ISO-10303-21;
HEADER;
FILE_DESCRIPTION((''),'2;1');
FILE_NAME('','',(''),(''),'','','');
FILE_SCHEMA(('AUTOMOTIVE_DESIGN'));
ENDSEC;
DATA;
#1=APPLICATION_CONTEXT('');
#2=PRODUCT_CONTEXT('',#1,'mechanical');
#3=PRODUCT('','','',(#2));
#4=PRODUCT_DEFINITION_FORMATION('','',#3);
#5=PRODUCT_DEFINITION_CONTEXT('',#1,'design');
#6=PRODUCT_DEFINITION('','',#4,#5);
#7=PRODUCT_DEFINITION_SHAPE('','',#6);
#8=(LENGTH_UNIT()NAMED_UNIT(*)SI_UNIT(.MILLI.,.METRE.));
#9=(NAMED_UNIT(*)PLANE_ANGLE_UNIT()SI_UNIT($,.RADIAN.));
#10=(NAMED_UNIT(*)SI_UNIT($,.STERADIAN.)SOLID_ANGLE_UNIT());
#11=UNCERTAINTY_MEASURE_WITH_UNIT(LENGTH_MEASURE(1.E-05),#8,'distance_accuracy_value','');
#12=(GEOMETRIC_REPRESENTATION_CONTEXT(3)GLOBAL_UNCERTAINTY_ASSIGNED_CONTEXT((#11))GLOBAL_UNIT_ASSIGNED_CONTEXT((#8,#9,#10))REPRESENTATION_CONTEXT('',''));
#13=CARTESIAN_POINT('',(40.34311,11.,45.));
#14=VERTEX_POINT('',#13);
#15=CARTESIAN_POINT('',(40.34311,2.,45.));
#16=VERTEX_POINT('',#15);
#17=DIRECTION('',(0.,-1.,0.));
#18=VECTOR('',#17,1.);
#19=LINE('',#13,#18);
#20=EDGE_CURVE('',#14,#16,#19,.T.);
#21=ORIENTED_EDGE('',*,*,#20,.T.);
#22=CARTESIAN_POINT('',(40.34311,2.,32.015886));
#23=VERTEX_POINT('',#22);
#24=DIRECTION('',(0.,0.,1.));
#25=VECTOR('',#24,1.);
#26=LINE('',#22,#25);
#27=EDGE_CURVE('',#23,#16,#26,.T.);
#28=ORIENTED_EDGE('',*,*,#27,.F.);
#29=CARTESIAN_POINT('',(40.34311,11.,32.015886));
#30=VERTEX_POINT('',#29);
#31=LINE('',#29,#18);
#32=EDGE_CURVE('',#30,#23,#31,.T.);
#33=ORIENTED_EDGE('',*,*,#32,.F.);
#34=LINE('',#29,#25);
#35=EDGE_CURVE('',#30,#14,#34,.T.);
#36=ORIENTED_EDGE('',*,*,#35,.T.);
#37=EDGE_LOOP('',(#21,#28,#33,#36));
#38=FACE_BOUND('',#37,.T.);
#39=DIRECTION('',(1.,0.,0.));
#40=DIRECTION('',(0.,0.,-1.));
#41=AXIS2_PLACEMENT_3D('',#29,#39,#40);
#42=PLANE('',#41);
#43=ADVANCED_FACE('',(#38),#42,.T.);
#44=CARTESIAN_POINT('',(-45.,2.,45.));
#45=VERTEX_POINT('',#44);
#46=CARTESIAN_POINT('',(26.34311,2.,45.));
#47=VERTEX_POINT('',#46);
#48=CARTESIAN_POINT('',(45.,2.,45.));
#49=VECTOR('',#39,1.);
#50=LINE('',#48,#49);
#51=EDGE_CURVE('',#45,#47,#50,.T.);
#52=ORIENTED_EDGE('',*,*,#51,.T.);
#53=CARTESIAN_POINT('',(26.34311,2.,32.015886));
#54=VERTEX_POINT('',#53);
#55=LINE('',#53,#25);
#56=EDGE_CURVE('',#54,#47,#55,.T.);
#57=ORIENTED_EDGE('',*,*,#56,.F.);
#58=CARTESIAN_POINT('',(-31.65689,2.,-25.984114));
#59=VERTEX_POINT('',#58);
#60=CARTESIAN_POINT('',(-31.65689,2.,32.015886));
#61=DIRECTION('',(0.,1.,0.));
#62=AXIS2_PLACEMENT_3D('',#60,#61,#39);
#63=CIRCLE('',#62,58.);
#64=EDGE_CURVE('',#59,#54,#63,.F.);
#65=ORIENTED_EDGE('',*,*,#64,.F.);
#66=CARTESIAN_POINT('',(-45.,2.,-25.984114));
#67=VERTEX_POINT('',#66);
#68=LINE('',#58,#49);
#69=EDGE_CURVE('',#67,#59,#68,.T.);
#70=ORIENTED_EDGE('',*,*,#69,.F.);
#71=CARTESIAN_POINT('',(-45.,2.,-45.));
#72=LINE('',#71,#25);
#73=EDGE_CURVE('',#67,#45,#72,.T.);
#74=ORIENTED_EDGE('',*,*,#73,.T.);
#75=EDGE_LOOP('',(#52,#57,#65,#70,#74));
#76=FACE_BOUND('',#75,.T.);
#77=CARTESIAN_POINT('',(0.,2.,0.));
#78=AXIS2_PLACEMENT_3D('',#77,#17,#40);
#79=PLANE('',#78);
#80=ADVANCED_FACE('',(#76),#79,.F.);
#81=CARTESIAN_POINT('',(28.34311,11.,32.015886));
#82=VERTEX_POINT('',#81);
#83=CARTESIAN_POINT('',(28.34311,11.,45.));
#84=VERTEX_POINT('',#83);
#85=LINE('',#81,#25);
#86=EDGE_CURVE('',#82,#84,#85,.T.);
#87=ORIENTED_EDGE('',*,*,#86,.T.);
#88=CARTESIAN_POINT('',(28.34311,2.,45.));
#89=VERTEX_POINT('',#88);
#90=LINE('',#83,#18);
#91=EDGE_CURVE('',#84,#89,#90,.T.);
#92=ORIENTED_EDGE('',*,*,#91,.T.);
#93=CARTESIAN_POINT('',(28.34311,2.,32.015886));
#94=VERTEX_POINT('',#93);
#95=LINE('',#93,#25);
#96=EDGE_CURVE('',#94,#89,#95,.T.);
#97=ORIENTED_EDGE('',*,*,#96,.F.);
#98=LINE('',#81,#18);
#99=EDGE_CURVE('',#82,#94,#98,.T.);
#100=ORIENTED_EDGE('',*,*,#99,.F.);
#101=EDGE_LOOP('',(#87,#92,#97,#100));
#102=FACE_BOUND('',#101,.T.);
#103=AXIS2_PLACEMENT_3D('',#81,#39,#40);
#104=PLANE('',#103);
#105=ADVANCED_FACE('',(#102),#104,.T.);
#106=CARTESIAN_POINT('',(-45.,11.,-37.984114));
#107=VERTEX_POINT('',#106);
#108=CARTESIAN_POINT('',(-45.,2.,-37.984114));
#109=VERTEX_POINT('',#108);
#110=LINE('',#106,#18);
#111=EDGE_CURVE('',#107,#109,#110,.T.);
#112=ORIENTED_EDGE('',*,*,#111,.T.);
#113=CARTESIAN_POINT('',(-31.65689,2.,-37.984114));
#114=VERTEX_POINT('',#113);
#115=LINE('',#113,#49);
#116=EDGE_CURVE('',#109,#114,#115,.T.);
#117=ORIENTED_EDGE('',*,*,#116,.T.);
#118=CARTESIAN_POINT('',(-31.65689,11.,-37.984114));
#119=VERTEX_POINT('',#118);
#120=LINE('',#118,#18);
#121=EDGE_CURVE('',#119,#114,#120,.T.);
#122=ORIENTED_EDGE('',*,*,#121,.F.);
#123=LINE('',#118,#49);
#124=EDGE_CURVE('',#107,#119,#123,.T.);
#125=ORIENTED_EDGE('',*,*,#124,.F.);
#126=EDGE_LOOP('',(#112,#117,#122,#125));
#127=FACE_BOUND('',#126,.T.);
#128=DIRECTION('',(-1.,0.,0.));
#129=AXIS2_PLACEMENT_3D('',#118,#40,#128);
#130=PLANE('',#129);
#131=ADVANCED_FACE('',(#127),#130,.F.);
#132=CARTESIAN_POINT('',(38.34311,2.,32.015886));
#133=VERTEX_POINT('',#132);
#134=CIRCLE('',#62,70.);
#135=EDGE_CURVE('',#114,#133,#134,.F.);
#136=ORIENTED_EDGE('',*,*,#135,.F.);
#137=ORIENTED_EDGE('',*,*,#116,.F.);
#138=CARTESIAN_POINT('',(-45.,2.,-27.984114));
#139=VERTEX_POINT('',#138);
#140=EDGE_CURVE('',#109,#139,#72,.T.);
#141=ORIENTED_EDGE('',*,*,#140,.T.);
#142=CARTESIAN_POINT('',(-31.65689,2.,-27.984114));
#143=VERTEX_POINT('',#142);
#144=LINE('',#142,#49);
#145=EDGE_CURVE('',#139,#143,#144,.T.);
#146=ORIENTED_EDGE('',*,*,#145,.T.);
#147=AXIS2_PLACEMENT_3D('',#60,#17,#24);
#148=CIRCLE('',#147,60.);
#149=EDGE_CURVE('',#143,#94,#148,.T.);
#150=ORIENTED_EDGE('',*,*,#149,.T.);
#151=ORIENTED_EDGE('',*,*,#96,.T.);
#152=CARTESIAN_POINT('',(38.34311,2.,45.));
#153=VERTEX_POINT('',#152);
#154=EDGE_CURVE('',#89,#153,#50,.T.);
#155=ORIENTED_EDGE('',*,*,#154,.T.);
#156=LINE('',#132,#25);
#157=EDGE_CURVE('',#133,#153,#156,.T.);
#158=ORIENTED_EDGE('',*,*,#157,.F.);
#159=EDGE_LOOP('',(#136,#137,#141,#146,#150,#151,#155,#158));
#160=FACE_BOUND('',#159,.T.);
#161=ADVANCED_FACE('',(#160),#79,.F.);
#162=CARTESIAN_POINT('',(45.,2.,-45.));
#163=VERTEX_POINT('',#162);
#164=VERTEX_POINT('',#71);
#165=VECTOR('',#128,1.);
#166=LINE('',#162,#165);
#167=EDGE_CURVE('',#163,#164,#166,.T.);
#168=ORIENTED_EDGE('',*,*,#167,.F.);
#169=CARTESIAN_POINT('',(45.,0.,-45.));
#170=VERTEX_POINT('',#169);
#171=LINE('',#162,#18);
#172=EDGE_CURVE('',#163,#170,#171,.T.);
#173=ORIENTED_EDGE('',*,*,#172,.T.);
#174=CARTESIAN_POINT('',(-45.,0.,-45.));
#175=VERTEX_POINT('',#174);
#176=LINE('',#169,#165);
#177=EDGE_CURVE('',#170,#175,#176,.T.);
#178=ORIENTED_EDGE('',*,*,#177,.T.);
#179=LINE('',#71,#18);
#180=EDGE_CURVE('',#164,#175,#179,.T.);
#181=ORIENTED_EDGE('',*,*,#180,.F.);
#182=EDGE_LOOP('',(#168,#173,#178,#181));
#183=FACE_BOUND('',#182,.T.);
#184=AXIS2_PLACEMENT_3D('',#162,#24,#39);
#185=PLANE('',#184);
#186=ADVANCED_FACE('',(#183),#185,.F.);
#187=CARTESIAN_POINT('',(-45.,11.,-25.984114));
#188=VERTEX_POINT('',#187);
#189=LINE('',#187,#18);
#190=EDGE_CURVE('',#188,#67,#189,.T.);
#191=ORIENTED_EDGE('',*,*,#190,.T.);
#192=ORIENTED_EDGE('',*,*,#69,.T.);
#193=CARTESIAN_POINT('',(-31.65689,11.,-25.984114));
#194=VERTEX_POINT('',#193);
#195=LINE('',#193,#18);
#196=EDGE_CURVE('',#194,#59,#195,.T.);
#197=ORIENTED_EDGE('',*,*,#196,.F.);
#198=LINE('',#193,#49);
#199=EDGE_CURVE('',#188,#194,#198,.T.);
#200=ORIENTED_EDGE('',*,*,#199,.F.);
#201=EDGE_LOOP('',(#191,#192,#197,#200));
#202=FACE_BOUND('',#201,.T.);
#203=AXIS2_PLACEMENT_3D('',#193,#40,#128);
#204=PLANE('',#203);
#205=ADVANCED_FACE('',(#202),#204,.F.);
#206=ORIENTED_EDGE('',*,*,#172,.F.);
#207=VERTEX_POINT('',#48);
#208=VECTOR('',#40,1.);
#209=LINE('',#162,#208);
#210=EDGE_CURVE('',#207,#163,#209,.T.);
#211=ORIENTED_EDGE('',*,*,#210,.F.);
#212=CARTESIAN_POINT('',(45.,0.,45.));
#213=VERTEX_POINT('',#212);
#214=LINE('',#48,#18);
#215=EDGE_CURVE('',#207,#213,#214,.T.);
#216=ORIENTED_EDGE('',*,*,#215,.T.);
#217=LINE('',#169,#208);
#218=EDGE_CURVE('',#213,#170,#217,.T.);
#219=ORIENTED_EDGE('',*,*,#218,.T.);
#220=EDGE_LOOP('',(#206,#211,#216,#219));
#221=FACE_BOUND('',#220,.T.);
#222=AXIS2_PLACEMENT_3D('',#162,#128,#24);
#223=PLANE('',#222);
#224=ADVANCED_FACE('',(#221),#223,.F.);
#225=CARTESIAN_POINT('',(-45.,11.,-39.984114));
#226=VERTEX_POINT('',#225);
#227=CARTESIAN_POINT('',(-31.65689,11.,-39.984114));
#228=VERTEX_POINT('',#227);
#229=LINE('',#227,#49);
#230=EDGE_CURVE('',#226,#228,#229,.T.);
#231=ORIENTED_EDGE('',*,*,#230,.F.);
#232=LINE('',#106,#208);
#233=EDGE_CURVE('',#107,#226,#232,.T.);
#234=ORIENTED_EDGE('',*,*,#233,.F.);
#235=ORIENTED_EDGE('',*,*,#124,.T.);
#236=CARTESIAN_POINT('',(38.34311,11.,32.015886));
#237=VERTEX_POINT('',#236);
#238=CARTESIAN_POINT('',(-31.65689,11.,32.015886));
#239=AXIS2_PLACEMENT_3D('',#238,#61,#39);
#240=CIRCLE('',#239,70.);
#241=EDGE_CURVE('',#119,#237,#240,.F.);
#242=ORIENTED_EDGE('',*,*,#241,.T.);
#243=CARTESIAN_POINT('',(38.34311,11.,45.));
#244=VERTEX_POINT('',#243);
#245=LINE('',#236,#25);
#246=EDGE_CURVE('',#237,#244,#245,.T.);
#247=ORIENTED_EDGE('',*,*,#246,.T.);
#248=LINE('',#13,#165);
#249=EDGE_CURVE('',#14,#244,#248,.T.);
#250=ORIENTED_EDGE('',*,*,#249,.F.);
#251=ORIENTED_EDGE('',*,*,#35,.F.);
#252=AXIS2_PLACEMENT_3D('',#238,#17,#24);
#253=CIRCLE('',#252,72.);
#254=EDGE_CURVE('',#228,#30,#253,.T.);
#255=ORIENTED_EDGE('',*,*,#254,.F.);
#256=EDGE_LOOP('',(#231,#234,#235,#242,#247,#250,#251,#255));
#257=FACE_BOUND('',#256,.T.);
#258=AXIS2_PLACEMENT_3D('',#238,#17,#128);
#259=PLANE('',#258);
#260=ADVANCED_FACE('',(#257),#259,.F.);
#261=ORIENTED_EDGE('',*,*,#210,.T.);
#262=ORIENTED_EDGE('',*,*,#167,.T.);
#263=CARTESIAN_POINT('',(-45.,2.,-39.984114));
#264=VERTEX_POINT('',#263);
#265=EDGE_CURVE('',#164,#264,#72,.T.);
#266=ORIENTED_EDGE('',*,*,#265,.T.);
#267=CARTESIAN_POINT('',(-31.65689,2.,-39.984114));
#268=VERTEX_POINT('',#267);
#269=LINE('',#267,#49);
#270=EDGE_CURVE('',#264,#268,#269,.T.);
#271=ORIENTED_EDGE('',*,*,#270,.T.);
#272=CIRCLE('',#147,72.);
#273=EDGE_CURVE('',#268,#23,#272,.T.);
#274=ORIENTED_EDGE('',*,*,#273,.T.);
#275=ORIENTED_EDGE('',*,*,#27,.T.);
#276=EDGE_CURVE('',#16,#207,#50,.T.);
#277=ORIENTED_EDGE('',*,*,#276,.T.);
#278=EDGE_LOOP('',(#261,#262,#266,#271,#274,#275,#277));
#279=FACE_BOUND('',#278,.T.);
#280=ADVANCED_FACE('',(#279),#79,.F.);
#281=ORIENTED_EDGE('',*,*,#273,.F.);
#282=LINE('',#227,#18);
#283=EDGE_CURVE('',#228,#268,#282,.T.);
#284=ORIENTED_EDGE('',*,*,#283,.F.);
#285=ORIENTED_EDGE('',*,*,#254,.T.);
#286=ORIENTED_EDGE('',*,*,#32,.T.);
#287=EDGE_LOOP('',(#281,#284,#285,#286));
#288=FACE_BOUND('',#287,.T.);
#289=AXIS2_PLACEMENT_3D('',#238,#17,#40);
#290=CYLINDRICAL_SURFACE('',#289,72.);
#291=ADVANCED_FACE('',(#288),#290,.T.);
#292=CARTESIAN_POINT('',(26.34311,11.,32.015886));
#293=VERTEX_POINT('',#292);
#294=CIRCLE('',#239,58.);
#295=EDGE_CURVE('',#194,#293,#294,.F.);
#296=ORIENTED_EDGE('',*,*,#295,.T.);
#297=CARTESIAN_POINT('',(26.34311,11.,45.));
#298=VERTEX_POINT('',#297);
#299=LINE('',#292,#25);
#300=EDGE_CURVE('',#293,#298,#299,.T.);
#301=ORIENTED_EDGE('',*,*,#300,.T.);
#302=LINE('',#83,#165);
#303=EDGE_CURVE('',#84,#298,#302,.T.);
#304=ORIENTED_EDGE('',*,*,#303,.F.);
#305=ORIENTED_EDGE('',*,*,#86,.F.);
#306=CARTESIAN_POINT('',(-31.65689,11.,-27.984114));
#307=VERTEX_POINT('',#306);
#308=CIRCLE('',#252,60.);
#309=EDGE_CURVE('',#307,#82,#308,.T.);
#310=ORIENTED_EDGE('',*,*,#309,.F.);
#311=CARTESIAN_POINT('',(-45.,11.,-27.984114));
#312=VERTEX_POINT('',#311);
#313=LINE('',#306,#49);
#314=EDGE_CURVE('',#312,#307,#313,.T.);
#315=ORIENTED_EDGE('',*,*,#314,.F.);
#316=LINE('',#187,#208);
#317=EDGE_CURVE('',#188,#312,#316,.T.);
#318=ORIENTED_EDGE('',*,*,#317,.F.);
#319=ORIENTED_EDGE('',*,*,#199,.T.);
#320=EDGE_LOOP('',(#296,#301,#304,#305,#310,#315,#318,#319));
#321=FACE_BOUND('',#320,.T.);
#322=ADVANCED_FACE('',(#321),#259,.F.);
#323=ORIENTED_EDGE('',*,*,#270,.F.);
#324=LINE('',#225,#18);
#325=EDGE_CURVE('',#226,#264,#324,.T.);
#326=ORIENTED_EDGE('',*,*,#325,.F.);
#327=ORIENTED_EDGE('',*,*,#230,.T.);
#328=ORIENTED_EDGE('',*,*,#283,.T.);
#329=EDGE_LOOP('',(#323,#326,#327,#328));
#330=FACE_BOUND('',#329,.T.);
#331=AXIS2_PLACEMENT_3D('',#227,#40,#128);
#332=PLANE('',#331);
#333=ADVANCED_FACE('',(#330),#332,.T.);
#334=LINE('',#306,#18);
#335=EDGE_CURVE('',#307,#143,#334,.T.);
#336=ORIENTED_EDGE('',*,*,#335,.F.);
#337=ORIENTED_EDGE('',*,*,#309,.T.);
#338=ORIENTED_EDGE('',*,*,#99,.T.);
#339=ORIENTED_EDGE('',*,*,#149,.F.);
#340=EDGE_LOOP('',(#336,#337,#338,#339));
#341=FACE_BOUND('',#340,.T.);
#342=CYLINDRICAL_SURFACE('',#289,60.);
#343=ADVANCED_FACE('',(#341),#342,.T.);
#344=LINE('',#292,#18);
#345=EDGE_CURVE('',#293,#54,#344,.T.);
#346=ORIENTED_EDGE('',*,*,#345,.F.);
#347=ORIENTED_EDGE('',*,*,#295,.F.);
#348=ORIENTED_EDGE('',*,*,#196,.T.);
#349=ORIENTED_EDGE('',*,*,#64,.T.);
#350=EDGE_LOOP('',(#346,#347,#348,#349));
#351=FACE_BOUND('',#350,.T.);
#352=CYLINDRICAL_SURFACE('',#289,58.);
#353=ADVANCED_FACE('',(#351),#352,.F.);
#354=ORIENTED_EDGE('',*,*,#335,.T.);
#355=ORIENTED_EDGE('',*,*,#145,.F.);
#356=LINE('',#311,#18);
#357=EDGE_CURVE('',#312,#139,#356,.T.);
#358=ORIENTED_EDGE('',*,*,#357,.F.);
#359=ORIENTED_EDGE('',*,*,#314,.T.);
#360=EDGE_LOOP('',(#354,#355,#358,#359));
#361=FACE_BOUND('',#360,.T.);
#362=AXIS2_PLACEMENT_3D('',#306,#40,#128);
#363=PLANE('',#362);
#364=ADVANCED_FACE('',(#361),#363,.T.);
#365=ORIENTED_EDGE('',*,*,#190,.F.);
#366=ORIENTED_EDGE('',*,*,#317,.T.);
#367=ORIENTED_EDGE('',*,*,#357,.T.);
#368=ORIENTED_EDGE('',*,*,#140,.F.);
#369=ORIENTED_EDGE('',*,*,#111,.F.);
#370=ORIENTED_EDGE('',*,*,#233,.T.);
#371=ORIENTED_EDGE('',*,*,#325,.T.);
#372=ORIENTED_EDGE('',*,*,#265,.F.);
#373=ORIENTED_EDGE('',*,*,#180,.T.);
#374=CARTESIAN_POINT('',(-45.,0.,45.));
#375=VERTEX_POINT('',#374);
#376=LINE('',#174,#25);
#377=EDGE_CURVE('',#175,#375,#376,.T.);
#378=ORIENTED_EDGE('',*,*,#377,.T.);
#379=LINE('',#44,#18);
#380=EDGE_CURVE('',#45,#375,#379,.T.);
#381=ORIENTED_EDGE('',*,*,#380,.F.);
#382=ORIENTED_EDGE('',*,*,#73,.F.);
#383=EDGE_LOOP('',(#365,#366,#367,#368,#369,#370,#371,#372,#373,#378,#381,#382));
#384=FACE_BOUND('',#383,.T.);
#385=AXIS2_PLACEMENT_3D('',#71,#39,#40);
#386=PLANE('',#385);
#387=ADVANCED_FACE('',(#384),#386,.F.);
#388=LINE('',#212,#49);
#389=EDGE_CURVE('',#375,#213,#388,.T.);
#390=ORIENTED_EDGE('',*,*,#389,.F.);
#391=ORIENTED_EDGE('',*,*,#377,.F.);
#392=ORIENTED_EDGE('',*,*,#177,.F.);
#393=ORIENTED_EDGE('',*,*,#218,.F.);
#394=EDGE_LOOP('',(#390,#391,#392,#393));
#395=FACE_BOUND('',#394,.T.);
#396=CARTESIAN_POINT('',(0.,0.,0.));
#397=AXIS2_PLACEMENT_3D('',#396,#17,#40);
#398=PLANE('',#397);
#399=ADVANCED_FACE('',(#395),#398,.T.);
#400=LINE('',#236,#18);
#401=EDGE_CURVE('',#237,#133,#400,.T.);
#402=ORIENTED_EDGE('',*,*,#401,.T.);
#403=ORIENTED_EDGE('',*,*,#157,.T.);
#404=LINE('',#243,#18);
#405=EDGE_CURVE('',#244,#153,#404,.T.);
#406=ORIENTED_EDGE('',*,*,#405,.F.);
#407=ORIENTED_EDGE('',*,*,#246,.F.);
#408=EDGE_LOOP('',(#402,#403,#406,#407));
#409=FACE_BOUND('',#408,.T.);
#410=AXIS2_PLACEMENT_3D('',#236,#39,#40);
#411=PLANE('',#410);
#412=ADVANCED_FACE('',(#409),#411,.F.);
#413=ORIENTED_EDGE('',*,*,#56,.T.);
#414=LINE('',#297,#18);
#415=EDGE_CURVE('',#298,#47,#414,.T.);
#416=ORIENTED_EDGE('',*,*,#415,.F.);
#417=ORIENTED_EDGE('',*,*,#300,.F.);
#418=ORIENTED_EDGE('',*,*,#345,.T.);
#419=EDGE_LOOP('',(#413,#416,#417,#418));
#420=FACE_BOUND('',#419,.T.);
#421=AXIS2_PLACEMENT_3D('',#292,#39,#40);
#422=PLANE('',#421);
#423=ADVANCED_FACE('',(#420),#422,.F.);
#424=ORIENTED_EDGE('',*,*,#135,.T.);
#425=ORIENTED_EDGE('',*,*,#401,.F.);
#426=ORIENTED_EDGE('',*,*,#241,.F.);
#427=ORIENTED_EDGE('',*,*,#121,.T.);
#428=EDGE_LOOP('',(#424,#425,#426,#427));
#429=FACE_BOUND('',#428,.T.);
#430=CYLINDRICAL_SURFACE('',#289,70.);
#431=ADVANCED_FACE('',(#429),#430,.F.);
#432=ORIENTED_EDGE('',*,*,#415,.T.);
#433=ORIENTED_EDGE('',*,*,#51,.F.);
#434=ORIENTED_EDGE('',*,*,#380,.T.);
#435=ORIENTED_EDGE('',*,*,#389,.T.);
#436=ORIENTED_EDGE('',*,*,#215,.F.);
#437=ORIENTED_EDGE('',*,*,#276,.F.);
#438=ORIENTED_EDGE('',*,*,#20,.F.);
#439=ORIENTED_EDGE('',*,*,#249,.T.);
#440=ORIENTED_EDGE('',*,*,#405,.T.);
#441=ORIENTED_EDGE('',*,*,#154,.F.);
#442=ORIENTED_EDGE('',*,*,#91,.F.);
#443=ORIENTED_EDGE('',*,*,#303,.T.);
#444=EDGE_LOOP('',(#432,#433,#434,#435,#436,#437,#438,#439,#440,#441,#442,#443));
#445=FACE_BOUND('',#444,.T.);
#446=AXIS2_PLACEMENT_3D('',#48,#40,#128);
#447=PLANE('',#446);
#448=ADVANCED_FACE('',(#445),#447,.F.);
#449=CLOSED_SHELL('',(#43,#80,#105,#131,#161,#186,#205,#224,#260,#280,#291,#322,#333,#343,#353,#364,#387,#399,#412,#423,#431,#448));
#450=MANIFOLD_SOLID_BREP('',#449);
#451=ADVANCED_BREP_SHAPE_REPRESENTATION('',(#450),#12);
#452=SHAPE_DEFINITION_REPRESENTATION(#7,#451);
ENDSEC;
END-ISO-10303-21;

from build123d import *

# Parameters (mm, degrees)
SKETCH_1_W      = 90
SKETCH_1_H      = 90
EXTRUDE_1_DEPTH = 2
EXTRUDE_5_DEPTH = 9


with BuildPart() as part:
    # 草图1 → 凸台-拉伸1 (new body)
    with BuildSketch(Plane(origin=(0, 0, 0), x_dir=(1, 0, 0), z_dir=(0, 1, 0))):
        Rectangle(SKETCH_1_W, SKETCH_1_H)
    extrude(amount=EXTRUDE_1_DEPTH)

    # 草图2 → 拉伸-薄壁5 (add)
    with BuildSketch(Plane(origin=(0, 2, 0), x_dir=(1, 0, 0), z_dir=(0, 1, 0))):
        with BuildLine():
            Line((40.343110101, -45), (40.343110101, -32.015885558))
            ThreePointArc((40.343110101, -32.015885558), (19.254798346, 18.895802688), (-31.656889899, 39.984114442))
            Line((-31.656889899, 39.984114442), (-45, 39.984114442))
            Line((-45, 39.984114442), (-45, 37.984114442))
            Line((-45, 37.984114442), (-31.656889899, 37.984114442))
            ThreePointArc((-31.656889899, 37.984114442), (17.840584784, 17.481589125), (38.343110101, -32.015885558))
            Line((38.343110101, -32.015885558), (38.343110101, -45))
            Line((38.343110101, -45), (40.343110101, -45))
        make_face()
        with BuildLine():
            Line((28.343110101, -45), (28.343110101, -32.015885558))
            ThreePointArc((28.343110101, -32.015885558), (10.769516972, 10.410521313), (-31.656889899, 27.984114442))
            Line((-31.656889899, 27.984114442), (-45, 27.984114442))
            Line((-45, 27.984114442), (-45, 25.984114442))
            Line((-45, 25.984114442), (-31.656889899, 25.984114442))
            ThreePointArc((-31.656889899, 25.984114442), (9.35530341, 8.996307751), (26.343110101, -32.015885558))
            Line((26.343110101, -32.015885558), (26.343110101, -45))
            Line((26.343110101, -45), (28.343110101, -45))
        make_face()
    extrude(amount=EXTRUDE_5_DEPTH)


solid = part.part
